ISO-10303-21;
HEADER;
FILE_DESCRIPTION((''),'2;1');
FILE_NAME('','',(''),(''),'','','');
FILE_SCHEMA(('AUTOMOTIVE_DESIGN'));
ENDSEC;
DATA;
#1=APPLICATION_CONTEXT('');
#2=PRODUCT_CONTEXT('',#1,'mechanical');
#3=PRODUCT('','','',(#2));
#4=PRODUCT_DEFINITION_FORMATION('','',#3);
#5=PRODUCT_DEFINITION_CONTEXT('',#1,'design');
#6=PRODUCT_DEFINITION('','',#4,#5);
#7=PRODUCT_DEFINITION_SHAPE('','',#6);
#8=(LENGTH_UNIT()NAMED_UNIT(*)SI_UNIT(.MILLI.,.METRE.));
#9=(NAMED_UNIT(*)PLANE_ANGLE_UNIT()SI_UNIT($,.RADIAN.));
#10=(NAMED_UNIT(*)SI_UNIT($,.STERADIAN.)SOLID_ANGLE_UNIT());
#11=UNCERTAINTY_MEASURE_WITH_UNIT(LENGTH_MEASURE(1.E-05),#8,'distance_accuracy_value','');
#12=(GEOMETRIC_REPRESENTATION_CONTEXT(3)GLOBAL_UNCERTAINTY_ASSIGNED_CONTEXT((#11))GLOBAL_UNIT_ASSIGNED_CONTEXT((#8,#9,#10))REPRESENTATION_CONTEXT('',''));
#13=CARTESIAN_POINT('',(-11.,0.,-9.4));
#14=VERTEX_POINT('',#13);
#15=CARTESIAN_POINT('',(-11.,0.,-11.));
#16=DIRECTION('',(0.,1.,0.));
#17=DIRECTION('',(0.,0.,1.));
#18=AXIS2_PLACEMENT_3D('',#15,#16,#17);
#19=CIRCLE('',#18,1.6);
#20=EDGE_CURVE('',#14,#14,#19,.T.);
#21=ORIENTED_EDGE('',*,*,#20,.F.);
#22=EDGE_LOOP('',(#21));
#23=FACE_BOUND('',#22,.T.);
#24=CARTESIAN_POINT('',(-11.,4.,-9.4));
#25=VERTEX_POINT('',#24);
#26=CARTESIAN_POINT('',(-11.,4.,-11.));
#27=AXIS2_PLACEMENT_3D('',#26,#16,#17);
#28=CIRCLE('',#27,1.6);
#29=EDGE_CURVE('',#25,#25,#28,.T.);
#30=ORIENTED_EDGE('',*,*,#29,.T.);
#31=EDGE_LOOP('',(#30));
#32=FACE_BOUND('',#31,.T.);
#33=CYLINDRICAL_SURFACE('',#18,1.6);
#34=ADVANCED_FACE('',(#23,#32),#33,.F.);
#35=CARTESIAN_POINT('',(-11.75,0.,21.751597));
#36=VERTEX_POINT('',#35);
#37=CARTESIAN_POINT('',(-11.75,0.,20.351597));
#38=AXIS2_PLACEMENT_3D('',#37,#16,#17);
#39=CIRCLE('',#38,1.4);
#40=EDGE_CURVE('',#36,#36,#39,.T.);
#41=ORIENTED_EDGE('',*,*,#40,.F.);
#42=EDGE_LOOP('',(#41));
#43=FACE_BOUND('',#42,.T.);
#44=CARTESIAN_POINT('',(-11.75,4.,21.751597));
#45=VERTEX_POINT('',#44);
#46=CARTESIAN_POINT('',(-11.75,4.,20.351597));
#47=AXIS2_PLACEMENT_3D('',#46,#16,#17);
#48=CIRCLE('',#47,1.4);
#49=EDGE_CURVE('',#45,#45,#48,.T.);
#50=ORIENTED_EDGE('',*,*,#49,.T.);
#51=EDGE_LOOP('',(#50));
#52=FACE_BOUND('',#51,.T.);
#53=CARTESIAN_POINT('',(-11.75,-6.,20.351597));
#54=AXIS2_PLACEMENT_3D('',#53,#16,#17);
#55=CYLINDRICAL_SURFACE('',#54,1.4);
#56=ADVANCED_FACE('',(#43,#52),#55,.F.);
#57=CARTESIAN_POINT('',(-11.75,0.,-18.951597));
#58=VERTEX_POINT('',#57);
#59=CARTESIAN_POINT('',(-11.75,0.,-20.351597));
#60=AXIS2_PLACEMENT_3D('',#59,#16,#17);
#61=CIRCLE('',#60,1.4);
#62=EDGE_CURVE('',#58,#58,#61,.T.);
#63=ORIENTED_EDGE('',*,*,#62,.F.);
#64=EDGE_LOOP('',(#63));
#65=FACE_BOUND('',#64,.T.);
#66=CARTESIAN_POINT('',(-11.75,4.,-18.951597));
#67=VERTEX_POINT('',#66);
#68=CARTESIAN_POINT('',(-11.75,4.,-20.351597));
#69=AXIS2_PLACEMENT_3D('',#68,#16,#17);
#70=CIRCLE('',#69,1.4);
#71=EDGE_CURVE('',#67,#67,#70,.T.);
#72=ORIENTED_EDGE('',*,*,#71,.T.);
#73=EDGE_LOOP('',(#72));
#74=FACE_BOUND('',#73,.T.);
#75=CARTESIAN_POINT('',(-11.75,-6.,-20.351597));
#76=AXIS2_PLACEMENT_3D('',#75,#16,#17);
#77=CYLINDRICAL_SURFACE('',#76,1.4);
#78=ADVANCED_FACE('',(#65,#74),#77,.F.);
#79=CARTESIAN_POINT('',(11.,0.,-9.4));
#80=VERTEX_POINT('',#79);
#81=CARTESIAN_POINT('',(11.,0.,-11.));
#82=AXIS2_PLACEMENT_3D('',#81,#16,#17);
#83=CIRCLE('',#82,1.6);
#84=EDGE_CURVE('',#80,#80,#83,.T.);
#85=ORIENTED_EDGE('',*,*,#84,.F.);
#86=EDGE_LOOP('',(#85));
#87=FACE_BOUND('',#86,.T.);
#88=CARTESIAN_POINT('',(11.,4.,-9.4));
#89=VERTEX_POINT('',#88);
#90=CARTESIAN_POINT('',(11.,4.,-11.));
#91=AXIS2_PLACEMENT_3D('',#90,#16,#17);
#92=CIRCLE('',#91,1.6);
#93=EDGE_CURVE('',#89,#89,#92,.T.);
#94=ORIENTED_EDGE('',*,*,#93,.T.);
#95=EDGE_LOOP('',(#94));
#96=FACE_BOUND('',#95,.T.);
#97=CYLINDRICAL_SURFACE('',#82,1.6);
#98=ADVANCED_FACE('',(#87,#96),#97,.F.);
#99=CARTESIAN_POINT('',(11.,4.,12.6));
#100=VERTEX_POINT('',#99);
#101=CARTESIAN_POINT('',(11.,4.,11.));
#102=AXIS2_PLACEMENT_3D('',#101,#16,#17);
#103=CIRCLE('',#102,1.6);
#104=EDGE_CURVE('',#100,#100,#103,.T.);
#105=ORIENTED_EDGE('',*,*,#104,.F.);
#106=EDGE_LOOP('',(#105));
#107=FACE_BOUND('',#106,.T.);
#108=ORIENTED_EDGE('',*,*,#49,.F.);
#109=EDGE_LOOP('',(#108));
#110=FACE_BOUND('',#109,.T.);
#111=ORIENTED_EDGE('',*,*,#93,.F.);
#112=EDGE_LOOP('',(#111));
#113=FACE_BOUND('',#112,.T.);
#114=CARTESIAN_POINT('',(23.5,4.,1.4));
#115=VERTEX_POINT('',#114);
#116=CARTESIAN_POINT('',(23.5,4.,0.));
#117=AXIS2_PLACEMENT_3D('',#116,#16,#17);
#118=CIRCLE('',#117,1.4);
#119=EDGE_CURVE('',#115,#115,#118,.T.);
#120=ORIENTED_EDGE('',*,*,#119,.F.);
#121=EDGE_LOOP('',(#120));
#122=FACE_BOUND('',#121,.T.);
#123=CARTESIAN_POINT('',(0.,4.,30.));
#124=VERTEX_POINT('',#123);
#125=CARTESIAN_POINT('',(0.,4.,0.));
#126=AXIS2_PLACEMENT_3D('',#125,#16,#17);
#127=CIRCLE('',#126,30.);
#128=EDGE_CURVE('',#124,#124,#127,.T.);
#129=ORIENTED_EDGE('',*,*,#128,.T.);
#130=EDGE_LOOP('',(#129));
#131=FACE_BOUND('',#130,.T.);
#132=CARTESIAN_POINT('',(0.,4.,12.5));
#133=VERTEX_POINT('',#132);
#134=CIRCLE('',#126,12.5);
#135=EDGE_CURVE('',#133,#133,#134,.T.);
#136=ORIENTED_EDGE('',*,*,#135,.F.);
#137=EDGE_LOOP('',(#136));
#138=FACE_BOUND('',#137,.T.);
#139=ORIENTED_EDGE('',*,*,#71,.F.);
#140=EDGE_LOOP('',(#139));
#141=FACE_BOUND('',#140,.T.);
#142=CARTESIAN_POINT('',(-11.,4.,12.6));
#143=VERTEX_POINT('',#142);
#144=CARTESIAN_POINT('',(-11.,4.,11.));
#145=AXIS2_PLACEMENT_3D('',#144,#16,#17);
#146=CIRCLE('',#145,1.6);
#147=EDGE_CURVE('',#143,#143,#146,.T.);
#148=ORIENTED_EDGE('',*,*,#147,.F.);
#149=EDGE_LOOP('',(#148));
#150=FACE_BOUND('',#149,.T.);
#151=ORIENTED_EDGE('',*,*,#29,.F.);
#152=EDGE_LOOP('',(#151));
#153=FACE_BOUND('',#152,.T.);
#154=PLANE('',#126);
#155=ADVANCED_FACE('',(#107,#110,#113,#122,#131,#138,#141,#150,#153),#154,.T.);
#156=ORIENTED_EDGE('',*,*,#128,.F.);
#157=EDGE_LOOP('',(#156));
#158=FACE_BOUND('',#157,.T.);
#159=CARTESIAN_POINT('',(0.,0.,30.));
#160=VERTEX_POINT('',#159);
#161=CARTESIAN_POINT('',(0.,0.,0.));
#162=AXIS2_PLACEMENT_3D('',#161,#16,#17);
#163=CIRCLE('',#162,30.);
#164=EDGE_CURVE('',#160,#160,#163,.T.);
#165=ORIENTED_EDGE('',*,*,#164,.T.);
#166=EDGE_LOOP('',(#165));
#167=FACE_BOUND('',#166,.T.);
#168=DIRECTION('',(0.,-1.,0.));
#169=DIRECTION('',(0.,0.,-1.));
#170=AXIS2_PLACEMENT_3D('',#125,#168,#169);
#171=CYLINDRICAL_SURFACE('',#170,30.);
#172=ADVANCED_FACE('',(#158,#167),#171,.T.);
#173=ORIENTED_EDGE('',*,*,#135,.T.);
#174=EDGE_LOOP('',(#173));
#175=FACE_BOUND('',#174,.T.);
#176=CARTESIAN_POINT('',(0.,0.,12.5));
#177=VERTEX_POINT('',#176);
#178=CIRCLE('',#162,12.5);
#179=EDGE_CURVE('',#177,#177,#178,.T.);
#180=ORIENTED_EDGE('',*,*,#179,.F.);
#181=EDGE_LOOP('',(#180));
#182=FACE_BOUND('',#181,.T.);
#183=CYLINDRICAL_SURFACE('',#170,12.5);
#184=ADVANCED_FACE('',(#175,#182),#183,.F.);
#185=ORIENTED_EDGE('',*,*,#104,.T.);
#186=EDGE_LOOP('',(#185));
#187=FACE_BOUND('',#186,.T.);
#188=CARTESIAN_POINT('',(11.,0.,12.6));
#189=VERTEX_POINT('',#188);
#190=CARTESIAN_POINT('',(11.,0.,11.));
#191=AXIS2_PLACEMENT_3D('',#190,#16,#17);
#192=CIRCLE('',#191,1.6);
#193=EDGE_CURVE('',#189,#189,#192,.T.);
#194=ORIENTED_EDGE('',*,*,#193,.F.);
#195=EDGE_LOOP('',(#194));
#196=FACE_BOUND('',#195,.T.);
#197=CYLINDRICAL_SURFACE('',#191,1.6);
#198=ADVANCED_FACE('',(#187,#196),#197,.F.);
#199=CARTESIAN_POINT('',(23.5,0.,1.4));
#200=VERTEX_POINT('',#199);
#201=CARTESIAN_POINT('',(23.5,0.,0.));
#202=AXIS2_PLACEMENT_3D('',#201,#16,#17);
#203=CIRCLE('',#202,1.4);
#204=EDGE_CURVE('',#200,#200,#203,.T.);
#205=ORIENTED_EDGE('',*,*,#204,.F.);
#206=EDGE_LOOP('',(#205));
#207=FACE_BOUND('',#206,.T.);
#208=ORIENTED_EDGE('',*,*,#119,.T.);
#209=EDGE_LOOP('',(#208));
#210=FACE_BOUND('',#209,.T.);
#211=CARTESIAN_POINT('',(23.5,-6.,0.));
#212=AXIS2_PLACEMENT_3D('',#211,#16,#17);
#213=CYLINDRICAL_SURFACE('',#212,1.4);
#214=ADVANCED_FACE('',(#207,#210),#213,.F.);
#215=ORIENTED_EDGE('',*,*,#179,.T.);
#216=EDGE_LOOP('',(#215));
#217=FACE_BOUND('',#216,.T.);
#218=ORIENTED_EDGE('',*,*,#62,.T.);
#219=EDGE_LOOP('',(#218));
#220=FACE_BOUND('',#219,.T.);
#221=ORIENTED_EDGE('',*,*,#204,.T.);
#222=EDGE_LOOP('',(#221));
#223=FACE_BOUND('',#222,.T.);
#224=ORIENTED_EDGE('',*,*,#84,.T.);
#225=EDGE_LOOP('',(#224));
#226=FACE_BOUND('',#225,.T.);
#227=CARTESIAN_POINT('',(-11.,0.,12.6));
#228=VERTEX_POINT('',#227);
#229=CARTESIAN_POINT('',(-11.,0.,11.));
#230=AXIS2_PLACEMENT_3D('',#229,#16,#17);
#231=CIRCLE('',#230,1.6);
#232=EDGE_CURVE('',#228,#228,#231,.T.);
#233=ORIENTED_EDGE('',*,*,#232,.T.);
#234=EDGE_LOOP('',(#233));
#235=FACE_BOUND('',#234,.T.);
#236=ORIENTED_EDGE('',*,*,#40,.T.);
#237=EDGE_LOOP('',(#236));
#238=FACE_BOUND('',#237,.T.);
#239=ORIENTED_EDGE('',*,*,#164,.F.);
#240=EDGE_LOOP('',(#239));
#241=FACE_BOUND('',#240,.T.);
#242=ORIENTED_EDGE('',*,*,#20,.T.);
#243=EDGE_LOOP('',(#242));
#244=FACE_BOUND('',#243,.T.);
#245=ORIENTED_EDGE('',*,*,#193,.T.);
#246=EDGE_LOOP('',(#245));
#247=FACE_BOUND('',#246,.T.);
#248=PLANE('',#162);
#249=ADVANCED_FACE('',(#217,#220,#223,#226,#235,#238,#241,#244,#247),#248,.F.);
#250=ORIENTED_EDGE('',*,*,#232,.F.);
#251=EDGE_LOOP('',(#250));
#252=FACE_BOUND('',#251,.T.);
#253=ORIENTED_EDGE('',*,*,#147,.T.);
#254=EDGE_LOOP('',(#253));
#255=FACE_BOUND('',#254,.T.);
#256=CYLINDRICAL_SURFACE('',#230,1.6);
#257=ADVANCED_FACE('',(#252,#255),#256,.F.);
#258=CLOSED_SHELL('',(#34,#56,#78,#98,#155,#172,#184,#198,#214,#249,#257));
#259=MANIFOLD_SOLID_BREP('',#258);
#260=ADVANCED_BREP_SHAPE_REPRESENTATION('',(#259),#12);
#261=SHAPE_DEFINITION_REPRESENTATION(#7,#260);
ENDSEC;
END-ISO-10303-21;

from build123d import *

# Parameters (mm, degrees)
SKETCH_1_R          = 30
SKETCH_1_R_2        = 12.5
EXTRUDE_1_DEPTH     = 4
SKETCH_2_R          = 1.6
CUT_EXTRUDE_1_DEPTH = 4
SKETCH_3_R          = 1.4
CUT_EXTRUDE_2_DEPTH = 10


with BuildPart() as part:
    # 草图1 → 凸台-拉伸1 (new body)
    with BuildSketch(Plane(origin=(0, 0, 0), x_dir=(1, 0, 0), z_dir=(0, 1, 0))):
        with Locations(Location((0, 0, 0), (0, 0, 270))):
            Circle(SKETCH_1_R)
        with Locations(Location((0, 0, 0), (0, 0, 270))):
            Circle(SKETCH_1_R_2, mode=Mode.SUBTRACT)
    extrude(amount=EXTRUDE_1_DEPTH)

    # 草图2 → 切除-拉伸1 (cut)
    with BuildSketch(Plane(origin=(0, 4, 0), x_dir=(1, 0, 0), z_dir=(0, 1, 0))):
        with Locations(Location((11, 11, 0), (0, 0, 270))):
            Circle(SKETCH_2_R)
        with Locations(Location((11, -11, 0), (0, 0, 270))):
            Circle(SKETCH_2_R)
        with Locations(Location((-11, -11, 0), (0, 0, 270))):
            Circle(SKETCH_2_R)
        with Locations(Location((-11, 11, 0), (0, 0, 270))):
            Circle(SKETCH_2_R)
    extrude(amount=-CUT_EXTRUDE_1_DEPTH, mode=Mode.SUBTRACT)

    # 草图3 → 切除-拉伸2 (cut)
    with BuildSketch(Plane(origin=(0, 4, 0), x_dir=(1, 0, 0), z_dir=(0, 1, 0))):
        with Locations(Location((23.5, 0, 0), (0, 0, 270))):
            Circle(SKETCH_3_R)
        with Locations(Location((-11.75, 20.351596989, 0), (0, 0, 270))):
            Circle(SKETCH_3_R)
        with Locations(Location((-11.75, -20.351596989, 0), (0, 0, 270))):
            Circle(SKETCH_3_R)
    extrude(amount=-CUT_EXTRUDE_2_DEPTH, mode=Mode.SUBTRACT)


solid = part.part
